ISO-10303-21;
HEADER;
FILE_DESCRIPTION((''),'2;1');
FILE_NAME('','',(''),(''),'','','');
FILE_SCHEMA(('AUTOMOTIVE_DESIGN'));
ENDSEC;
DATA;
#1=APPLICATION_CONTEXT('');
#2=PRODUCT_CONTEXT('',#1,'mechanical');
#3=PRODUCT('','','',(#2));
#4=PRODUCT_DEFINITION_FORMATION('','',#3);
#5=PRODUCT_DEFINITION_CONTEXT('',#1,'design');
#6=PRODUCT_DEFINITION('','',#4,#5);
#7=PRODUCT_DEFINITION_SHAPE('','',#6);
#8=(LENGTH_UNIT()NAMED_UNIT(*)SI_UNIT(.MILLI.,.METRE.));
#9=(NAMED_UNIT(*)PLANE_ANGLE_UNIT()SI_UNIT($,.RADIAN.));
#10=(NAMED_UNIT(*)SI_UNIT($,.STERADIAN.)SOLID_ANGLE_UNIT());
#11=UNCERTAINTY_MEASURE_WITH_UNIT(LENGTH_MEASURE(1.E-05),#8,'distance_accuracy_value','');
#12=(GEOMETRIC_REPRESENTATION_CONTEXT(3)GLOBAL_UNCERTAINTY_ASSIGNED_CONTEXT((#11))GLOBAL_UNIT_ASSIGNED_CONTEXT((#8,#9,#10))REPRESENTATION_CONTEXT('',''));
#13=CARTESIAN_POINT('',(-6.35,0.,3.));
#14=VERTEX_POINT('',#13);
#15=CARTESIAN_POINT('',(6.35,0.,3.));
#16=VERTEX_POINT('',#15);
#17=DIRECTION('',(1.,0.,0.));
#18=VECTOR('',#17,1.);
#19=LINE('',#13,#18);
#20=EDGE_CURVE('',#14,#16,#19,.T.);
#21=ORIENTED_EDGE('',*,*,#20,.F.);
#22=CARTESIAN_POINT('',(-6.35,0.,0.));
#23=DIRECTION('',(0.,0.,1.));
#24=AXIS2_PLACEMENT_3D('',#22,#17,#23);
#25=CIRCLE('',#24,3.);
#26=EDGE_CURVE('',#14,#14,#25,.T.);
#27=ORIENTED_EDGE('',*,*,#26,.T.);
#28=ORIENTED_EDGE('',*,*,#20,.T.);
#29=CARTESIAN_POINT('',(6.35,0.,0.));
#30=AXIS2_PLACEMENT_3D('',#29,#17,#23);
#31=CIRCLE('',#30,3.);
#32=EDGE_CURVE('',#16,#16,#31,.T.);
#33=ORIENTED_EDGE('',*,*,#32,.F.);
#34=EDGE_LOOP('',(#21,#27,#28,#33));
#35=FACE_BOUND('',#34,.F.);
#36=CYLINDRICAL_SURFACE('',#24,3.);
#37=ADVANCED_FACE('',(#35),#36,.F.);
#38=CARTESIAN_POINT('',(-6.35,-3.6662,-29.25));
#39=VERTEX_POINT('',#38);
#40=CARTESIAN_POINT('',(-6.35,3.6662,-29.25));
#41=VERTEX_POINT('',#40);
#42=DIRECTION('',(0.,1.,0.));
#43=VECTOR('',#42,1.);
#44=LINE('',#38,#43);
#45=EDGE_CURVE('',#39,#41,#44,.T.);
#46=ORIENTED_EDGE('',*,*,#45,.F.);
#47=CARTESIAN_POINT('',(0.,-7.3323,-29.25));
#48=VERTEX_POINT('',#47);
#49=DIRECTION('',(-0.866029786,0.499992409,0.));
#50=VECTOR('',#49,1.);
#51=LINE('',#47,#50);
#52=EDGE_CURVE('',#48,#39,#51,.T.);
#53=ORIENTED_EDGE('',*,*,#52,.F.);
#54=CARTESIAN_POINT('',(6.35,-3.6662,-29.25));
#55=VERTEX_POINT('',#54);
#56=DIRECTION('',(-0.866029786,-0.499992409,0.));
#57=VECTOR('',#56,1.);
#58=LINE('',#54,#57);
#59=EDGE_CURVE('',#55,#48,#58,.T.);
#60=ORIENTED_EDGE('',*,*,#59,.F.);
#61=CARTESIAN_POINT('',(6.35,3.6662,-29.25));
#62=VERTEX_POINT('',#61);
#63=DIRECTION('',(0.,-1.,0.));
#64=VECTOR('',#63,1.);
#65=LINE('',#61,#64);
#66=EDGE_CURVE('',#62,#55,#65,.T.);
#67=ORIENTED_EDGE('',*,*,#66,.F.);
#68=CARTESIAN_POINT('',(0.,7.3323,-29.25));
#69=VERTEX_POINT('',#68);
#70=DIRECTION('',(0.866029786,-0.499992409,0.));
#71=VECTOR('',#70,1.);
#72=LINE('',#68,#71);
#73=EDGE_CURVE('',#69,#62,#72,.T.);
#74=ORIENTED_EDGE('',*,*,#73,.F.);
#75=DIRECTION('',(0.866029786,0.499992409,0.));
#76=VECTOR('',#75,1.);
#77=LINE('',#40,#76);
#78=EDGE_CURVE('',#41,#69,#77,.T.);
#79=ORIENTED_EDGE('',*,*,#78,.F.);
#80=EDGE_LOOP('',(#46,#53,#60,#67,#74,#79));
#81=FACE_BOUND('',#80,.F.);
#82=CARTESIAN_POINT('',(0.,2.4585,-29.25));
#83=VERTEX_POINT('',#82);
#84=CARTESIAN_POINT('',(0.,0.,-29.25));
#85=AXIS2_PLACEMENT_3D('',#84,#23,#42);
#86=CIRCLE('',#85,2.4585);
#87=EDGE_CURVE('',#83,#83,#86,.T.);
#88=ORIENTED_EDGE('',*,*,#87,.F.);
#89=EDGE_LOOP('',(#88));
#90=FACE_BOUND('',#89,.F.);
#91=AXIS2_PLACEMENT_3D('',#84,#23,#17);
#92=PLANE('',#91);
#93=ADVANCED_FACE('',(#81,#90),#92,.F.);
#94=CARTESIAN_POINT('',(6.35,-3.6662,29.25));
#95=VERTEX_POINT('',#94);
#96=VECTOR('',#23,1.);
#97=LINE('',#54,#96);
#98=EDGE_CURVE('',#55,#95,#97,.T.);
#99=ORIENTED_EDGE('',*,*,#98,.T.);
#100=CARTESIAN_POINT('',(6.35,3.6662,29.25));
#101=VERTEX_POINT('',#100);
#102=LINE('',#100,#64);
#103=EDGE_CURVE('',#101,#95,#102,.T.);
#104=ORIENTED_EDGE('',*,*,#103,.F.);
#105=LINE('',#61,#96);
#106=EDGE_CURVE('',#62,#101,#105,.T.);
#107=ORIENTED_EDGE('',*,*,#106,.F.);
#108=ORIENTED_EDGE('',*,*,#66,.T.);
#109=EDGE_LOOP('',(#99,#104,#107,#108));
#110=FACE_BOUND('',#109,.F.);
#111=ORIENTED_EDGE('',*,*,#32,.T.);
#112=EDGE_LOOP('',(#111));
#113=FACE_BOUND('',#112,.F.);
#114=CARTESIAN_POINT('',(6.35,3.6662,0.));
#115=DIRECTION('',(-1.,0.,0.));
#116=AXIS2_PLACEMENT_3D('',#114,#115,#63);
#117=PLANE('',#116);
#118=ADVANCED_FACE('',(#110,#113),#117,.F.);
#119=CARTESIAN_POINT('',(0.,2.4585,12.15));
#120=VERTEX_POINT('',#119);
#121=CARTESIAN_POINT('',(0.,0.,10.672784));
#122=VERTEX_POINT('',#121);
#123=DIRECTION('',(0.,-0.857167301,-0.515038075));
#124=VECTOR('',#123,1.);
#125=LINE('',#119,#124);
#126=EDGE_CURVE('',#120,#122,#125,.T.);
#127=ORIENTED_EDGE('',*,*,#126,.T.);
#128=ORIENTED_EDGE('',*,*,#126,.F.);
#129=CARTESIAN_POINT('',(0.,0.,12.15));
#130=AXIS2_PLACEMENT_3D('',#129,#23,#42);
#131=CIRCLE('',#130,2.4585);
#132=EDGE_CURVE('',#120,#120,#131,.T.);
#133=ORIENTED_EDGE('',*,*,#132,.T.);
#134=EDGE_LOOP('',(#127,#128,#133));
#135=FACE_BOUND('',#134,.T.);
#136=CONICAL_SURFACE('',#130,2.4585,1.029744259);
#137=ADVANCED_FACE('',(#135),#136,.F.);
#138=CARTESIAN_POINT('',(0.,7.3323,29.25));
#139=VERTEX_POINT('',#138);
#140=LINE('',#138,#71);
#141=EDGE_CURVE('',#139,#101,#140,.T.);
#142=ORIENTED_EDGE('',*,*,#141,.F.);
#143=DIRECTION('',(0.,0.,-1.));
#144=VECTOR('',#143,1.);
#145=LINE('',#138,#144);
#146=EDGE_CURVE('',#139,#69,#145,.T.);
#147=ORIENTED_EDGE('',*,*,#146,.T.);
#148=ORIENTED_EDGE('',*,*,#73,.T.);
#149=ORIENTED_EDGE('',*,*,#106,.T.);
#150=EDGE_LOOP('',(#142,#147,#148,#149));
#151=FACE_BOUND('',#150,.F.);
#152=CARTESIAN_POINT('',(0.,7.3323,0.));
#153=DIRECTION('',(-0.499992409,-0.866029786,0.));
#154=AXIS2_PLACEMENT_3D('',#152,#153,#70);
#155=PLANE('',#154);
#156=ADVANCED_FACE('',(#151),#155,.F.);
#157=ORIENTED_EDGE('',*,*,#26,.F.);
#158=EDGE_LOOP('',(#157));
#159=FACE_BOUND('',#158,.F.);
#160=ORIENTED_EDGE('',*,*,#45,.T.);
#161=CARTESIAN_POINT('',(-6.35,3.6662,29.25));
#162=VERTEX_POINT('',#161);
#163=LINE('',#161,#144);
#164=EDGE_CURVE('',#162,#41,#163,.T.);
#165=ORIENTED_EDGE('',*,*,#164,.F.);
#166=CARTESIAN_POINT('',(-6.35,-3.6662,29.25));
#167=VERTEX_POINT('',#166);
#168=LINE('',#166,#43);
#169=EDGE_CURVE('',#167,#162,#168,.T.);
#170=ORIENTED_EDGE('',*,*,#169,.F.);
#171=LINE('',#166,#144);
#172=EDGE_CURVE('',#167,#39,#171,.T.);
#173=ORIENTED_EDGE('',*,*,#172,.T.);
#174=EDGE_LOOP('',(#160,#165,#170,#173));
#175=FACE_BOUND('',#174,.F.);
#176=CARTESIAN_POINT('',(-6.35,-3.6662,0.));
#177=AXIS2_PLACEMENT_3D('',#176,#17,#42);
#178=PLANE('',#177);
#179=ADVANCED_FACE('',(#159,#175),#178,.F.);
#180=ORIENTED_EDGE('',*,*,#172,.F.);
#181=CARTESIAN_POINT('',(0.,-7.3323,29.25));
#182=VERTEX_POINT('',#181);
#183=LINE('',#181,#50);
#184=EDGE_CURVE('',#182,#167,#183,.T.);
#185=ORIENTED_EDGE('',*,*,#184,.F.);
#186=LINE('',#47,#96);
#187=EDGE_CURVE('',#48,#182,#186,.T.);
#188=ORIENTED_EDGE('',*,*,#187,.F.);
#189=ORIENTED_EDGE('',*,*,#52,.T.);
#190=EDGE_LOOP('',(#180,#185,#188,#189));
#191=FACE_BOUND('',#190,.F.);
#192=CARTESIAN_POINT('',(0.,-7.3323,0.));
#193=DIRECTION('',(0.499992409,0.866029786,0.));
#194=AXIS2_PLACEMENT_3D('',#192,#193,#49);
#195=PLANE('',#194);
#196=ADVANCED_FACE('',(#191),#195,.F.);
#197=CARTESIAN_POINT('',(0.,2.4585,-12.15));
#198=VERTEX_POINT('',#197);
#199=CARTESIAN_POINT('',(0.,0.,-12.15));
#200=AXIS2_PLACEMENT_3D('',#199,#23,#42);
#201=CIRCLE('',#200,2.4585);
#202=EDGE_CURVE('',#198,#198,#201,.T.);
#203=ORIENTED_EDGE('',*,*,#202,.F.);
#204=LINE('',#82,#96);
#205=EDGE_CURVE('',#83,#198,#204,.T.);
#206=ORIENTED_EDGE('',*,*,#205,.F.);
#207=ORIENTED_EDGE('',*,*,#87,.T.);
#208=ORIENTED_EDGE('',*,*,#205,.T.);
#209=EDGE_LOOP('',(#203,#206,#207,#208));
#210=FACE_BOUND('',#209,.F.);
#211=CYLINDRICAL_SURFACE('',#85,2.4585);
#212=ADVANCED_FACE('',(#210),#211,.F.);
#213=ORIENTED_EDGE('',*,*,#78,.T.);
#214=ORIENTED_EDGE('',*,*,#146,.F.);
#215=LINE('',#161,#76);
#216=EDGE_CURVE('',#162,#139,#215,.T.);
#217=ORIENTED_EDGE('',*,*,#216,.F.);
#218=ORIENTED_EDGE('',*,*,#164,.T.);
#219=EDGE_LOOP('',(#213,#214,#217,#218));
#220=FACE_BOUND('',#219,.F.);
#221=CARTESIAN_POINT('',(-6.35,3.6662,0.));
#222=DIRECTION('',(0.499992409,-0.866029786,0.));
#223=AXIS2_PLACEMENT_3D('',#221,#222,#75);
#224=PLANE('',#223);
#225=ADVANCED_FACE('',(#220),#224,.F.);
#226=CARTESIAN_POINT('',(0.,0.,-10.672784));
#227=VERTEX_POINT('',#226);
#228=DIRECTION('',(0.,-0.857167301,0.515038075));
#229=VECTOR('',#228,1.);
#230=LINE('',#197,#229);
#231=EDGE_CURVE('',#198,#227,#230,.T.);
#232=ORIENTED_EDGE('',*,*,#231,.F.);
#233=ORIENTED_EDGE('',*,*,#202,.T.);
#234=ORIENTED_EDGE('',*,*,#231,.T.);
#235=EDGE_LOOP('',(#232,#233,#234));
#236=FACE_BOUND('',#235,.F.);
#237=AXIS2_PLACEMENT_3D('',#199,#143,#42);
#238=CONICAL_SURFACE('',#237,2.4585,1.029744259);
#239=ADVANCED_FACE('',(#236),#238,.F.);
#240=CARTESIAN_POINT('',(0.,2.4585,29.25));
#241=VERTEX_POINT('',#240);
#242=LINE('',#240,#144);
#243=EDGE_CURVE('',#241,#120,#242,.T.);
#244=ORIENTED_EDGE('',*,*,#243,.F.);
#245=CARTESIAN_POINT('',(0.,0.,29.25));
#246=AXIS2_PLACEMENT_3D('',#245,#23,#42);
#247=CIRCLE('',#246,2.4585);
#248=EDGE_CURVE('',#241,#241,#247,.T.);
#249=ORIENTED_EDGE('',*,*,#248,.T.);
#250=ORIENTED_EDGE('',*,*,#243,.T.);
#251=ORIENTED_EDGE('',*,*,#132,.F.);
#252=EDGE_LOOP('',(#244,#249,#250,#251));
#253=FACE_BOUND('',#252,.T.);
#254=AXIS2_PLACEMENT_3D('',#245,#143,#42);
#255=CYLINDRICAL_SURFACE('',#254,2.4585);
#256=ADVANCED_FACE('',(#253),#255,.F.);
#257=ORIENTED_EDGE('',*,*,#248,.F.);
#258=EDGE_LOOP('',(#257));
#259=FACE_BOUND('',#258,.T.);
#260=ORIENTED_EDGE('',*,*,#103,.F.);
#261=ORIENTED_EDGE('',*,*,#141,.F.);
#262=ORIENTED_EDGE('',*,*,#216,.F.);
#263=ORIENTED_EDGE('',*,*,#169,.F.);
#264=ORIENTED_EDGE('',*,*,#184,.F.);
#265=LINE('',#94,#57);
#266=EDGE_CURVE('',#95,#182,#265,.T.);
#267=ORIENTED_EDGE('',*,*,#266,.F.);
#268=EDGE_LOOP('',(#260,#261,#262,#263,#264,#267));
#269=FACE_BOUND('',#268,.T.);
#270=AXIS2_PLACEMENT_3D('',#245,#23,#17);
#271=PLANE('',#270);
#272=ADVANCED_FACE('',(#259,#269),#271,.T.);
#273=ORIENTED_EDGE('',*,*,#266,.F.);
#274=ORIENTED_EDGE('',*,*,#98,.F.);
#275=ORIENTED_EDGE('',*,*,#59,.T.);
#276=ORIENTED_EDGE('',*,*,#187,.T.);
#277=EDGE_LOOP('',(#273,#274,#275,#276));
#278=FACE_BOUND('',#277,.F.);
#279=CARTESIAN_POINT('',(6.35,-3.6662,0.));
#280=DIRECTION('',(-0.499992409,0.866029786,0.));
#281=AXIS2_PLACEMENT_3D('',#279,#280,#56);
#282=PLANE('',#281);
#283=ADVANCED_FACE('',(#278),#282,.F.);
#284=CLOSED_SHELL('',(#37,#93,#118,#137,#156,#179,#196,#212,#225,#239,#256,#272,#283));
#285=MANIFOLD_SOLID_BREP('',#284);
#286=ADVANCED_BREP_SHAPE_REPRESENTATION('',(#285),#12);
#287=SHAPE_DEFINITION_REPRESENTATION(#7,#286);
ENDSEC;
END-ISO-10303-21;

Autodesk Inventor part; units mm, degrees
ref_plane "YZ Plane" through (0, 0, 0) normal (1, 0, 0) x (0, 1, 0)
ref_plane "XZ Plane" through (0, 0, 0) normal (0, 1, 0) x (-1, 0, 0)
ref_plane "XY Plane" through (0, 0, 0) normal (0, 0, 1) x (1, 0, 0)
sketch "Sketch1" plane through (0, 0, 0) normal (0, 0, 1) x (1, 0, 0)
  line L0 (0, -7.3323) -> (-6.35, -3.6662)
  line L1 (-6.35, -3.6662) -> (-6.35, 3.6662)
  line L2 (-6.35, 3.6662) -> (0, 7.3323)
  line L3 (0, 7.3323) -> (6.35, 3.6662)
  line L4 (6.35, 3.6662) -> (6.35, -3.6662)
  line L5 (6.35, -3.6662) -> (0, -7.3323)
  circle A0 centre (0, 0) radius 3
  dimension "d0" = 12.7
  dimension "d1" = 6
extrude "Extrusion2" add sketch "Sketch1" along normal mid plane 58.5 contours L0 L1 L2 L3 L4 L5 | A0
sketch "Sketch4" plane through (-6.35, -3.6662, -29.25) normal (-1, 0, 0) x (0, 0, 1)
  line L0 (58.5, 7.3323) -> (58.5, 0) projected
  line L1 (0, 0) -> (0, 7.3323) projected
  point P0 (29.25, 3.6662)
  point P1 (29.25, 3.6662)
  point P2 (58.5, 3.6662)
  dimension "d43" = 58.5
hole "Hole4" at (-6.35, 0, 0) direction (1, 0, 0) diameter 6 end through all
sketch "Sketch5" plane through (0, 0, -29.25) normal (0, 0, -1) x (-1, 0, 0)
  point P0 (0, 0)
  point P1 (0, 0)
hole "Hole5" at (0, 0, -29.25) direction (0, 0, 1) diameter 4.917 depth 17.1 tip angle 118 thread size "M6x1" class "6H" standard "ISO Metric profile"
mirror "Mirror1" about plane through (0, 0, 0) normal (0, 0, 1) of "Hole5"
properties part number "pistony"
